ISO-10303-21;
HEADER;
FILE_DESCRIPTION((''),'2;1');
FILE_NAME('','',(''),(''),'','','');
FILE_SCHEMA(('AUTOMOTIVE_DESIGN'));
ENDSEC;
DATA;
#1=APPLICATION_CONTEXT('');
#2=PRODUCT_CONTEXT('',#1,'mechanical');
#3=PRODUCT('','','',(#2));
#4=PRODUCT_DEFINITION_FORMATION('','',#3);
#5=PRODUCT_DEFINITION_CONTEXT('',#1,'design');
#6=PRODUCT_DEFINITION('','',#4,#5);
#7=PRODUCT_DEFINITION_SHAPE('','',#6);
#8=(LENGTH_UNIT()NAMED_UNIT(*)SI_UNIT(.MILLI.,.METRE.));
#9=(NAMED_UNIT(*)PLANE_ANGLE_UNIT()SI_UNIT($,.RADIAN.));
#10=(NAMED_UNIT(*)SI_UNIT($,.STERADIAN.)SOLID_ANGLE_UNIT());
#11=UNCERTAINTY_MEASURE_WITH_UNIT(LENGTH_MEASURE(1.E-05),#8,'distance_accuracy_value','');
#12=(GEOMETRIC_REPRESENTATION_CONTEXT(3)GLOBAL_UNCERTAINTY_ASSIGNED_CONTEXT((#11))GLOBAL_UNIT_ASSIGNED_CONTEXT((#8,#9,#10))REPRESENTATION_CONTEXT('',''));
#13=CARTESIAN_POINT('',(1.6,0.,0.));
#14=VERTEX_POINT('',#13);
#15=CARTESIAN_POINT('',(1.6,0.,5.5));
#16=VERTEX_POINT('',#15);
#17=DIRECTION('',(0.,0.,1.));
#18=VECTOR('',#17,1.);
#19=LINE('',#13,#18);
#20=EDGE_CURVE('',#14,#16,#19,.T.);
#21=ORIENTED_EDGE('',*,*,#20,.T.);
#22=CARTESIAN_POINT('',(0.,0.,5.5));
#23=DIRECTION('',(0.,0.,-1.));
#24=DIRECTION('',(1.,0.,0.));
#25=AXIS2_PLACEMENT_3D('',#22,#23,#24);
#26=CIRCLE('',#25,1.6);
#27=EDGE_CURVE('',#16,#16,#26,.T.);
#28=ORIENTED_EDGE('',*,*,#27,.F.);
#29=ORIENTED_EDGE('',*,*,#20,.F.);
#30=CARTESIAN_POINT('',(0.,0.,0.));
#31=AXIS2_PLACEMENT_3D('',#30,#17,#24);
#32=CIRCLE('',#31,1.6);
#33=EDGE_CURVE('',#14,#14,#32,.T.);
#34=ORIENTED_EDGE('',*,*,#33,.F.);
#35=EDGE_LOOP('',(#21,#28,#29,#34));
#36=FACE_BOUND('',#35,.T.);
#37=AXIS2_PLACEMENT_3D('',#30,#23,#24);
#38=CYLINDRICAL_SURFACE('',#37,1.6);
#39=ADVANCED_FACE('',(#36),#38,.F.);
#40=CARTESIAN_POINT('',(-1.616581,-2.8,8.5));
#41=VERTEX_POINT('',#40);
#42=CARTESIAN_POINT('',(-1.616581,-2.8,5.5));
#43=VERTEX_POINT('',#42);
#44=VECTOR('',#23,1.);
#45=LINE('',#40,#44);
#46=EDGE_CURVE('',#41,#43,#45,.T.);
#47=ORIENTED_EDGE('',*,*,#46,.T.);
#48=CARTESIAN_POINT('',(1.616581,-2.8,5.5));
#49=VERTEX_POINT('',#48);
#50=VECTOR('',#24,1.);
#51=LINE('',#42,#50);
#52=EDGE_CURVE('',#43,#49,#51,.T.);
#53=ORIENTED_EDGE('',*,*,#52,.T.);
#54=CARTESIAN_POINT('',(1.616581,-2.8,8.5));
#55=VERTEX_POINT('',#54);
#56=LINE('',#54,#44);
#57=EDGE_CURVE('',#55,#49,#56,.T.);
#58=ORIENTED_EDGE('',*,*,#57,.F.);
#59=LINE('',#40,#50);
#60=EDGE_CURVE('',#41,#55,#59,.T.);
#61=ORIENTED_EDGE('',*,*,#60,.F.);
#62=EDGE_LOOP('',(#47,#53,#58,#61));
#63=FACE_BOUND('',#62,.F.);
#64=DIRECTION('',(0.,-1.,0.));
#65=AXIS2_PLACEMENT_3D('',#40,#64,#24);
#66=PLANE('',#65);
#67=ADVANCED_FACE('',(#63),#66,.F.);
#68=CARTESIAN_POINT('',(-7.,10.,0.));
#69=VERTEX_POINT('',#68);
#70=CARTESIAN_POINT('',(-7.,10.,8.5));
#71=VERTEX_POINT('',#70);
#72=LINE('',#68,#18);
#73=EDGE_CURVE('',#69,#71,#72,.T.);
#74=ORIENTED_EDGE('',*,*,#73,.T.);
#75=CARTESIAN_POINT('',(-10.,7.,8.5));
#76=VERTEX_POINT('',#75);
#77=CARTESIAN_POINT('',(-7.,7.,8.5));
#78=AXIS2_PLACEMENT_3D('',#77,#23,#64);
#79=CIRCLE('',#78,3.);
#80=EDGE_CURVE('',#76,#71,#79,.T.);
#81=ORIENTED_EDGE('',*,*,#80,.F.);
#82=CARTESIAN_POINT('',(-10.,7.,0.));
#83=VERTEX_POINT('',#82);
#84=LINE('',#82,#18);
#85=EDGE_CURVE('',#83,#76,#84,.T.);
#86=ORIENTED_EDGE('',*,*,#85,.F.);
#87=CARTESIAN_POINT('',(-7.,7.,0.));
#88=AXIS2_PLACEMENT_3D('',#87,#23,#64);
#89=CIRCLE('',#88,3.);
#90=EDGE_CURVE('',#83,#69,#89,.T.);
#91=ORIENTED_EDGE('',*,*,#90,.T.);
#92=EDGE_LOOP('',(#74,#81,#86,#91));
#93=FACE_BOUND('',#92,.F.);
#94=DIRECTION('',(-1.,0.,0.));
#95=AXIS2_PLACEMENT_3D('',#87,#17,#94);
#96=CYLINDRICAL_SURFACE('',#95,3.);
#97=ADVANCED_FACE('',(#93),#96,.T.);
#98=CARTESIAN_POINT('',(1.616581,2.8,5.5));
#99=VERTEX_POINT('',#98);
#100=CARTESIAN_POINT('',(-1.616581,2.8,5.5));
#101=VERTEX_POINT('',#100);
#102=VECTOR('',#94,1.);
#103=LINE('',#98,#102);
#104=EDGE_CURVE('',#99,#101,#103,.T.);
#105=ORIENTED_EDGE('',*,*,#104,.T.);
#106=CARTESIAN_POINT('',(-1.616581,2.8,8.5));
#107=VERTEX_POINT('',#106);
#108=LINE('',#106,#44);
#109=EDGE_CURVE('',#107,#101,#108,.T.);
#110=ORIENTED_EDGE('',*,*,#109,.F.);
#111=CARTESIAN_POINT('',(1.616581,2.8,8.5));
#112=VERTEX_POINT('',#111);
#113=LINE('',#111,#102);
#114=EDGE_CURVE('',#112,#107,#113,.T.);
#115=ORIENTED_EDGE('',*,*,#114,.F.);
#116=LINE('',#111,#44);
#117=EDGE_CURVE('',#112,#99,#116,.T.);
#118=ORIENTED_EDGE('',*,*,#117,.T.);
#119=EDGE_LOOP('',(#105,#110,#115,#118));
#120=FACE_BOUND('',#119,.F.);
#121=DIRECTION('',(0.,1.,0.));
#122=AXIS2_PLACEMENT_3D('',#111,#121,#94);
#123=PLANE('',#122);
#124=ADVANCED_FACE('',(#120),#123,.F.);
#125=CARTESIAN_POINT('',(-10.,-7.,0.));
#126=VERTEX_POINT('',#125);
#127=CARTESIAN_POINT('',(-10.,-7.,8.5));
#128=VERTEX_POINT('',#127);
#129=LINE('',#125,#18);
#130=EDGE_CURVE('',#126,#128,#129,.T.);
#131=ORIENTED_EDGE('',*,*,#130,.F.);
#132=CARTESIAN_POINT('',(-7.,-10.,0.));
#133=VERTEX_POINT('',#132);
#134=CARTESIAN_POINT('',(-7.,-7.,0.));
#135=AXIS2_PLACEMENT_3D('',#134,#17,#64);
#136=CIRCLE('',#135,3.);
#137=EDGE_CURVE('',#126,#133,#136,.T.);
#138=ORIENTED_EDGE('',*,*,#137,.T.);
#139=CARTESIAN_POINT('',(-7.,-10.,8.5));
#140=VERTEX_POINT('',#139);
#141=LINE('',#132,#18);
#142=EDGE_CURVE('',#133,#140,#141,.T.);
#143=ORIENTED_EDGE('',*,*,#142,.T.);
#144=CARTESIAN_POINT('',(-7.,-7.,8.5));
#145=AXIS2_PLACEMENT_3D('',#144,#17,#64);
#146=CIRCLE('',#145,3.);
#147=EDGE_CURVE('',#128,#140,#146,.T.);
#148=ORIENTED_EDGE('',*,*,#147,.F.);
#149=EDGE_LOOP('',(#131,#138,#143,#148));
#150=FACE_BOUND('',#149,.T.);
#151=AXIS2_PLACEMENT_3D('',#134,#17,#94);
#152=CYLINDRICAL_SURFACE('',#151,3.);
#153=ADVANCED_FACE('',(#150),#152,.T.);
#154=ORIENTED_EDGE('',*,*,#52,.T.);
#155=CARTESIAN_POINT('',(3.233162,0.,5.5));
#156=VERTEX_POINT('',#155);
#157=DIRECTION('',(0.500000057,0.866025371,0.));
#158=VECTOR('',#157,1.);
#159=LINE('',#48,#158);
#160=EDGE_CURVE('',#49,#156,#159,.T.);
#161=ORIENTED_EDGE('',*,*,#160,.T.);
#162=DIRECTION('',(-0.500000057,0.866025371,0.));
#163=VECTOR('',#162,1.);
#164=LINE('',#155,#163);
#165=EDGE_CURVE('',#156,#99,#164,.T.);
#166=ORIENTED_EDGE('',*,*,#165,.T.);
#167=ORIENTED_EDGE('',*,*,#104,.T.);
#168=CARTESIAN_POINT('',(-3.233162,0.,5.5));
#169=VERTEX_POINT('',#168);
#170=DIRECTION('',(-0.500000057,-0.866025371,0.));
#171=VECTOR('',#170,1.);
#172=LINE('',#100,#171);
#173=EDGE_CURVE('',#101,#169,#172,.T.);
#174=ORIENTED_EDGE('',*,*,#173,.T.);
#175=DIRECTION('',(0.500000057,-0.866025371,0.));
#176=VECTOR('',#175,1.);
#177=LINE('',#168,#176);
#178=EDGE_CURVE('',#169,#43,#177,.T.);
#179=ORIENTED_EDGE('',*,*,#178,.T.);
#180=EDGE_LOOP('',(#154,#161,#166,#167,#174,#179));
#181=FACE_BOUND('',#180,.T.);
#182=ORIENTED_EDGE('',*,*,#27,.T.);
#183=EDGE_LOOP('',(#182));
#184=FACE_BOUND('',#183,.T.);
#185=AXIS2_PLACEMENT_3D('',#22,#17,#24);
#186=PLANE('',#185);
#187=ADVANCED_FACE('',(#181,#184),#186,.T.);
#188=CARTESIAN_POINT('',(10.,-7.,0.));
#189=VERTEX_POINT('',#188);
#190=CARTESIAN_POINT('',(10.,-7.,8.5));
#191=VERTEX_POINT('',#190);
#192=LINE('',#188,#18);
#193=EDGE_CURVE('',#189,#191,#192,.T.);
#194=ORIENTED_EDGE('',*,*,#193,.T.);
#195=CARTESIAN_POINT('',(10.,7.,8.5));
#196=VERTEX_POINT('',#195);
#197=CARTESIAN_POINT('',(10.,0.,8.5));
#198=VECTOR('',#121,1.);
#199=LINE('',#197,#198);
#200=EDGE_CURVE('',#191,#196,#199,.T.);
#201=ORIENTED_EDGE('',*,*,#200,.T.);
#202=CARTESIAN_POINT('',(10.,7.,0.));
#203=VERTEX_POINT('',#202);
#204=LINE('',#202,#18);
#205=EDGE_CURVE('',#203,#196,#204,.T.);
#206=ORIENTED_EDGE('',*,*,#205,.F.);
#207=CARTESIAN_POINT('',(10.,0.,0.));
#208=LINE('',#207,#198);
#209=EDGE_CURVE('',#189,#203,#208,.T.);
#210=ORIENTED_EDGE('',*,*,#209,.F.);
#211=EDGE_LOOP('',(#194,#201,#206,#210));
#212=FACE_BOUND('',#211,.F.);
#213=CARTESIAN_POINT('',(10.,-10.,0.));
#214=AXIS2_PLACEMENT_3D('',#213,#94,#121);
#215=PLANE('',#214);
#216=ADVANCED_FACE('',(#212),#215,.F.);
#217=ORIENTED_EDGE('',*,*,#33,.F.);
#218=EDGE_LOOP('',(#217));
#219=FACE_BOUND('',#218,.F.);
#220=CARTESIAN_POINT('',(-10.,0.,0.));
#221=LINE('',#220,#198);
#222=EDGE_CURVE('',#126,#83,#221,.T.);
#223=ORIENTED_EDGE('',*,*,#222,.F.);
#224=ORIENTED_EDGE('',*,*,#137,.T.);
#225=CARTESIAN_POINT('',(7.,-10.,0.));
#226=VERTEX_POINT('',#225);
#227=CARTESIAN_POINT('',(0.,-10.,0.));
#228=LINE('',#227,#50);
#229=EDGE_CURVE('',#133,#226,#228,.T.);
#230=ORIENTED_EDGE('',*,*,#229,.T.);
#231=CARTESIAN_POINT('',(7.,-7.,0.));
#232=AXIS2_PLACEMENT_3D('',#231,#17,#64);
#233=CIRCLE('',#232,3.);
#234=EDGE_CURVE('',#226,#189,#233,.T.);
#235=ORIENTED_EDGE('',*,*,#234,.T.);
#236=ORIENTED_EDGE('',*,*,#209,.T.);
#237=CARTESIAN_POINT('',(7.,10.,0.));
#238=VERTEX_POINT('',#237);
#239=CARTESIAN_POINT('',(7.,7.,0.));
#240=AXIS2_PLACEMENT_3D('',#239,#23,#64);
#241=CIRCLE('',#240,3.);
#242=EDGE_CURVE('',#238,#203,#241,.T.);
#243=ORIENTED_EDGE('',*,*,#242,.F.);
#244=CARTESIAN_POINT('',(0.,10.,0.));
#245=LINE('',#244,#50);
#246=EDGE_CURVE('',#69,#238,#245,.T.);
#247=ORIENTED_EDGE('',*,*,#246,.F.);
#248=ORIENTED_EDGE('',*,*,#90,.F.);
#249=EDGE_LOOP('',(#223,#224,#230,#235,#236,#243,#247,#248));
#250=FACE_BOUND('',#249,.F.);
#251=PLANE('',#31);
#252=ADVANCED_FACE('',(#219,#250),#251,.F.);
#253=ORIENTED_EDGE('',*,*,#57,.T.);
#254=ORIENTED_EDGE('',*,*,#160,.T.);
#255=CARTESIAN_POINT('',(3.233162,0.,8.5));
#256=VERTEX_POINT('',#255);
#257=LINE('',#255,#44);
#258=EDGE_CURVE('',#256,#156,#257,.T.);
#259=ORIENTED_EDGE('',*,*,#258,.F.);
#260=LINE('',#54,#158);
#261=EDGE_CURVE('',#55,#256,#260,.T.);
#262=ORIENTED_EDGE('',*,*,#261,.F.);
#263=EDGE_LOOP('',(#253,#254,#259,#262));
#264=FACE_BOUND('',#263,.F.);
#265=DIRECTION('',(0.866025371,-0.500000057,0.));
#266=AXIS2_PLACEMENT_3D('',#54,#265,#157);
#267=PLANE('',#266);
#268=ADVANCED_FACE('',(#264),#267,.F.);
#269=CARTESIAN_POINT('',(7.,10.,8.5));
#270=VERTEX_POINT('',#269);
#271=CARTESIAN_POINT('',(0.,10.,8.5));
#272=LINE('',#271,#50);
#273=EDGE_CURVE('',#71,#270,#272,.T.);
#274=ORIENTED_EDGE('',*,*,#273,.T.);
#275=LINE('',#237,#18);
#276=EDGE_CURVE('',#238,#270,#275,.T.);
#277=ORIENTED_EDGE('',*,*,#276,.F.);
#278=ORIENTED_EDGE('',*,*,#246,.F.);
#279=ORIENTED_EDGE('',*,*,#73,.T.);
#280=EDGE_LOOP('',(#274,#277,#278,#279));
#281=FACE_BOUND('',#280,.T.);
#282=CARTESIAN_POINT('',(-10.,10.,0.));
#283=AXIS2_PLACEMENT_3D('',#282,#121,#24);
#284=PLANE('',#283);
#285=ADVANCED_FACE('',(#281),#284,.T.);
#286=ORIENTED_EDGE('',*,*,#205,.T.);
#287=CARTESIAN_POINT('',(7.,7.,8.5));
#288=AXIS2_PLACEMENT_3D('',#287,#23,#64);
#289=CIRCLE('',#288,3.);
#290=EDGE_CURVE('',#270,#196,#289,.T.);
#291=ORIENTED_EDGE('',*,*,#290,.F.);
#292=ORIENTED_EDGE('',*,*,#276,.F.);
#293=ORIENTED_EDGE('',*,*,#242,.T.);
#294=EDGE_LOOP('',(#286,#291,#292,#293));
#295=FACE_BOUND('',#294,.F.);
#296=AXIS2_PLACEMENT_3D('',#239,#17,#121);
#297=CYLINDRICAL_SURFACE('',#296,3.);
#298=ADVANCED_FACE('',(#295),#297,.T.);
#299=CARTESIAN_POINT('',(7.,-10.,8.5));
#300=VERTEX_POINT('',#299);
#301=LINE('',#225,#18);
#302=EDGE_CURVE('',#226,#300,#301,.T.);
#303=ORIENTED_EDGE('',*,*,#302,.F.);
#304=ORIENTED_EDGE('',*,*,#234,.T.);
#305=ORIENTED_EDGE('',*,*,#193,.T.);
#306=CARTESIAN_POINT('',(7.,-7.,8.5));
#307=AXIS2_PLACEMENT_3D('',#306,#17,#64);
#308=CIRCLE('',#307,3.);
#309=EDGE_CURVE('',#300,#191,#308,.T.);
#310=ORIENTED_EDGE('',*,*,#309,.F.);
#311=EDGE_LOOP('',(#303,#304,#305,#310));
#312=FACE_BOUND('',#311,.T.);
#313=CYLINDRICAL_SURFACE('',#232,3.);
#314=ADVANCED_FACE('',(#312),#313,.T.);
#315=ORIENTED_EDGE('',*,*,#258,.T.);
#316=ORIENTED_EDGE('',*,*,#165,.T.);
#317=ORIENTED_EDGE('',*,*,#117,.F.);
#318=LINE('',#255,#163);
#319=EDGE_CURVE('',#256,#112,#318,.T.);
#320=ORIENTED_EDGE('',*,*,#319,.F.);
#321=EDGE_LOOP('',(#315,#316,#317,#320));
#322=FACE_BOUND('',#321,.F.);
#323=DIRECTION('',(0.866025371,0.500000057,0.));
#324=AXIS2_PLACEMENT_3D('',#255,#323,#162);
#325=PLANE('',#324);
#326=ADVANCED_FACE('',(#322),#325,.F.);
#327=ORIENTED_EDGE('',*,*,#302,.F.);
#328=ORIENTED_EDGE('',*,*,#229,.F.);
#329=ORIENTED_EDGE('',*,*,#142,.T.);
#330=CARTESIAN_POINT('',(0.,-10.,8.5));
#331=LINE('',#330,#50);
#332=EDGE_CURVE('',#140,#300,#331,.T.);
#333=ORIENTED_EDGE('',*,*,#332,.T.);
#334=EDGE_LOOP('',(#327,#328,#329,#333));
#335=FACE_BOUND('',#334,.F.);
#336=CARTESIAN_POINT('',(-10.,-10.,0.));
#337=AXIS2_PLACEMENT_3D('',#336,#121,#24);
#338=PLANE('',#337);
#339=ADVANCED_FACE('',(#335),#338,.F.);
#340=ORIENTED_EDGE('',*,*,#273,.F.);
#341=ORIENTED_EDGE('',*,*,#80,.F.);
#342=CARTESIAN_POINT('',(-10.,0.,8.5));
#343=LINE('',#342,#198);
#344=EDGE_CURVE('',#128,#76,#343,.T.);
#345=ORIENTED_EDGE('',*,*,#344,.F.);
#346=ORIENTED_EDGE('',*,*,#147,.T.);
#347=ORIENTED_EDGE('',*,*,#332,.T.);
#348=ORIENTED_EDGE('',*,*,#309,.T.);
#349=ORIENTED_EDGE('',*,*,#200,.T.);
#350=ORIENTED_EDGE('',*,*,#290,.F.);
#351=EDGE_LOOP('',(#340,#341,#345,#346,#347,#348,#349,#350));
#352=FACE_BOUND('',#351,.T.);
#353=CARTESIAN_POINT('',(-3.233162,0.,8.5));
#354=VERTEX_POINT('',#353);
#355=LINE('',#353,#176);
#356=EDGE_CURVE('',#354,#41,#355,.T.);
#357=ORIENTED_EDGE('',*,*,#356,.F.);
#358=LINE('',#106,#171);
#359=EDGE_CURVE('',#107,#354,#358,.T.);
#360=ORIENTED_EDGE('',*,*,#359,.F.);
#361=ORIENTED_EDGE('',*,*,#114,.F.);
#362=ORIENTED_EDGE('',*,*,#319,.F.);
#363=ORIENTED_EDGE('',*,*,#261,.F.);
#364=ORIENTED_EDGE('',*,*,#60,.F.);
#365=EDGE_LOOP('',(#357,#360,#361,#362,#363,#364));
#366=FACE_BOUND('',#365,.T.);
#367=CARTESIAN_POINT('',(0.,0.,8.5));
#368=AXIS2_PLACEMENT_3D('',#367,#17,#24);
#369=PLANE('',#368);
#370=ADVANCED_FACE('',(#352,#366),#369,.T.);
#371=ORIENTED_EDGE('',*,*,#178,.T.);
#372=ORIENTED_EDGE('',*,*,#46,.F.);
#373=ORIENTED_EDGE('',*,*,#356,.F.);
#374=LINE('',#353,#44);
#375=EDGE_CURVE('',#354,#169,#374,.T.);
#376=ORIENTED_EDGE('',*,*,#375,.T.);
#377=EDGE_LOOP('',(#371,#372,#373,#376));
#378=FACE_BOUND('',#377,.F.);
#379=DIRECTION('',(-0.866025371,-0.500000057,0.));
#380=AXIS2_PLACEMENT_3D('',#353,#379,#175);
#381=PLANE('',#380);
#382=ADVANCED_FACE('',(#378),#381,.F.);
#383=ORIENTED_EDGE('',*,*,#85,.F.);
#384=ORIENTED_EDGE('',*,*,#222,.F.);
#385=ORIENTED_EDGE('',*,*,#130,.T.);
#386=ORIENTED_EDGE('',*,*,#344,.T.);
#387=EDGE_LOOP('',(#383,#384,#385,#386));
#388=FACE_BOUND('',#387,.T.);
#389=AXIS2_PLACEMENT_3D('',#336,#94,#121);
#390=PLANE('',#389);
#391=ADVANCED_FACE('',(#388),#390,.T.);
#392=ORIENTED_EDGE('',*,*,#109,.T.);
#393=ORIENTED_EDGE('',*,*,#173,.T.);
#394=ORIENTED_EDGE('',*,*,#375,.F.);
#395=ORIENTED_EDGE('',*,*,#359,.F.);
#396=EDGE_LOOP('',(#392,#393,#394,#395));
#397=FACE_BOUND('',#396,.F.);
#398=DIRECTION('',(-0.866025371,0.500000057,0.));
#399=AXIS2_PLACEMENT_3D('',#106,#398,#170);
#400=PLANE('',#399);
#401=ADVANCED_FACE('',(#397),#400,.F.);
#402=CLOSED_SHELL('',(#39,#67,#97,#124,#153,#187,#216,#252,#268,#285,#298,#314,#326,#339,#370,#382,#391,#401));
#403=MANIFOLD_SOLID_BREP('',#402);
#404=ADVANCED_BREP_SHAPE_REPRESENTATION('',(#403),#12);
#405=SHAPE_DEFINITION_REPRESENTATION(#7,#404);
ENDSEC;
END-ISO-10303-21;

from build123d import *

# Parameters (mm, degrees)
SKETCH_W     = 20
SKETCH_H     = 20
SKETCH_R     = 1.6
PAD_DEPTH    = 8.5
POCKET_DEPTH = 3
FILLET_R     = 3


with BuildPart() as part:
    # Sketch → Pad (new body)
    with BuildSketch(Plane.XY):
        Rectangle(SKETCH_W, SKETCH_H)
        Circle(SKETCH_R, mode=Mode.SUBTRACT)
    extrude(amount=PAD_DEPTH)

    # Sketch001 (on Face7 of Pad) → Pocket (cut)
    with BuildSketch(Plane.XY.offset(8.5)):
        Polygon((1.616581, 2.8), (-1.616581, 2.8), (-3.233162, 0), (-1.616581, -2.8), (1.616581, -2.8), (3.233162, 0), align=None)
    extrude(amount=-POCKET_DEPTH, mode=Mode.SUBTRACT)

    # Fillet
    fillet_edges = [part.edges().sort_by_distance(p)[0] for p in [
        (10, -10, 4.25),
        (-10, -10, 4.25),
        (-10, 10, 4.25),
        (10, 10, 4.25),
    ]]
    fillet(fillet_edges, radius=FILLET_R)


solid = part.part
